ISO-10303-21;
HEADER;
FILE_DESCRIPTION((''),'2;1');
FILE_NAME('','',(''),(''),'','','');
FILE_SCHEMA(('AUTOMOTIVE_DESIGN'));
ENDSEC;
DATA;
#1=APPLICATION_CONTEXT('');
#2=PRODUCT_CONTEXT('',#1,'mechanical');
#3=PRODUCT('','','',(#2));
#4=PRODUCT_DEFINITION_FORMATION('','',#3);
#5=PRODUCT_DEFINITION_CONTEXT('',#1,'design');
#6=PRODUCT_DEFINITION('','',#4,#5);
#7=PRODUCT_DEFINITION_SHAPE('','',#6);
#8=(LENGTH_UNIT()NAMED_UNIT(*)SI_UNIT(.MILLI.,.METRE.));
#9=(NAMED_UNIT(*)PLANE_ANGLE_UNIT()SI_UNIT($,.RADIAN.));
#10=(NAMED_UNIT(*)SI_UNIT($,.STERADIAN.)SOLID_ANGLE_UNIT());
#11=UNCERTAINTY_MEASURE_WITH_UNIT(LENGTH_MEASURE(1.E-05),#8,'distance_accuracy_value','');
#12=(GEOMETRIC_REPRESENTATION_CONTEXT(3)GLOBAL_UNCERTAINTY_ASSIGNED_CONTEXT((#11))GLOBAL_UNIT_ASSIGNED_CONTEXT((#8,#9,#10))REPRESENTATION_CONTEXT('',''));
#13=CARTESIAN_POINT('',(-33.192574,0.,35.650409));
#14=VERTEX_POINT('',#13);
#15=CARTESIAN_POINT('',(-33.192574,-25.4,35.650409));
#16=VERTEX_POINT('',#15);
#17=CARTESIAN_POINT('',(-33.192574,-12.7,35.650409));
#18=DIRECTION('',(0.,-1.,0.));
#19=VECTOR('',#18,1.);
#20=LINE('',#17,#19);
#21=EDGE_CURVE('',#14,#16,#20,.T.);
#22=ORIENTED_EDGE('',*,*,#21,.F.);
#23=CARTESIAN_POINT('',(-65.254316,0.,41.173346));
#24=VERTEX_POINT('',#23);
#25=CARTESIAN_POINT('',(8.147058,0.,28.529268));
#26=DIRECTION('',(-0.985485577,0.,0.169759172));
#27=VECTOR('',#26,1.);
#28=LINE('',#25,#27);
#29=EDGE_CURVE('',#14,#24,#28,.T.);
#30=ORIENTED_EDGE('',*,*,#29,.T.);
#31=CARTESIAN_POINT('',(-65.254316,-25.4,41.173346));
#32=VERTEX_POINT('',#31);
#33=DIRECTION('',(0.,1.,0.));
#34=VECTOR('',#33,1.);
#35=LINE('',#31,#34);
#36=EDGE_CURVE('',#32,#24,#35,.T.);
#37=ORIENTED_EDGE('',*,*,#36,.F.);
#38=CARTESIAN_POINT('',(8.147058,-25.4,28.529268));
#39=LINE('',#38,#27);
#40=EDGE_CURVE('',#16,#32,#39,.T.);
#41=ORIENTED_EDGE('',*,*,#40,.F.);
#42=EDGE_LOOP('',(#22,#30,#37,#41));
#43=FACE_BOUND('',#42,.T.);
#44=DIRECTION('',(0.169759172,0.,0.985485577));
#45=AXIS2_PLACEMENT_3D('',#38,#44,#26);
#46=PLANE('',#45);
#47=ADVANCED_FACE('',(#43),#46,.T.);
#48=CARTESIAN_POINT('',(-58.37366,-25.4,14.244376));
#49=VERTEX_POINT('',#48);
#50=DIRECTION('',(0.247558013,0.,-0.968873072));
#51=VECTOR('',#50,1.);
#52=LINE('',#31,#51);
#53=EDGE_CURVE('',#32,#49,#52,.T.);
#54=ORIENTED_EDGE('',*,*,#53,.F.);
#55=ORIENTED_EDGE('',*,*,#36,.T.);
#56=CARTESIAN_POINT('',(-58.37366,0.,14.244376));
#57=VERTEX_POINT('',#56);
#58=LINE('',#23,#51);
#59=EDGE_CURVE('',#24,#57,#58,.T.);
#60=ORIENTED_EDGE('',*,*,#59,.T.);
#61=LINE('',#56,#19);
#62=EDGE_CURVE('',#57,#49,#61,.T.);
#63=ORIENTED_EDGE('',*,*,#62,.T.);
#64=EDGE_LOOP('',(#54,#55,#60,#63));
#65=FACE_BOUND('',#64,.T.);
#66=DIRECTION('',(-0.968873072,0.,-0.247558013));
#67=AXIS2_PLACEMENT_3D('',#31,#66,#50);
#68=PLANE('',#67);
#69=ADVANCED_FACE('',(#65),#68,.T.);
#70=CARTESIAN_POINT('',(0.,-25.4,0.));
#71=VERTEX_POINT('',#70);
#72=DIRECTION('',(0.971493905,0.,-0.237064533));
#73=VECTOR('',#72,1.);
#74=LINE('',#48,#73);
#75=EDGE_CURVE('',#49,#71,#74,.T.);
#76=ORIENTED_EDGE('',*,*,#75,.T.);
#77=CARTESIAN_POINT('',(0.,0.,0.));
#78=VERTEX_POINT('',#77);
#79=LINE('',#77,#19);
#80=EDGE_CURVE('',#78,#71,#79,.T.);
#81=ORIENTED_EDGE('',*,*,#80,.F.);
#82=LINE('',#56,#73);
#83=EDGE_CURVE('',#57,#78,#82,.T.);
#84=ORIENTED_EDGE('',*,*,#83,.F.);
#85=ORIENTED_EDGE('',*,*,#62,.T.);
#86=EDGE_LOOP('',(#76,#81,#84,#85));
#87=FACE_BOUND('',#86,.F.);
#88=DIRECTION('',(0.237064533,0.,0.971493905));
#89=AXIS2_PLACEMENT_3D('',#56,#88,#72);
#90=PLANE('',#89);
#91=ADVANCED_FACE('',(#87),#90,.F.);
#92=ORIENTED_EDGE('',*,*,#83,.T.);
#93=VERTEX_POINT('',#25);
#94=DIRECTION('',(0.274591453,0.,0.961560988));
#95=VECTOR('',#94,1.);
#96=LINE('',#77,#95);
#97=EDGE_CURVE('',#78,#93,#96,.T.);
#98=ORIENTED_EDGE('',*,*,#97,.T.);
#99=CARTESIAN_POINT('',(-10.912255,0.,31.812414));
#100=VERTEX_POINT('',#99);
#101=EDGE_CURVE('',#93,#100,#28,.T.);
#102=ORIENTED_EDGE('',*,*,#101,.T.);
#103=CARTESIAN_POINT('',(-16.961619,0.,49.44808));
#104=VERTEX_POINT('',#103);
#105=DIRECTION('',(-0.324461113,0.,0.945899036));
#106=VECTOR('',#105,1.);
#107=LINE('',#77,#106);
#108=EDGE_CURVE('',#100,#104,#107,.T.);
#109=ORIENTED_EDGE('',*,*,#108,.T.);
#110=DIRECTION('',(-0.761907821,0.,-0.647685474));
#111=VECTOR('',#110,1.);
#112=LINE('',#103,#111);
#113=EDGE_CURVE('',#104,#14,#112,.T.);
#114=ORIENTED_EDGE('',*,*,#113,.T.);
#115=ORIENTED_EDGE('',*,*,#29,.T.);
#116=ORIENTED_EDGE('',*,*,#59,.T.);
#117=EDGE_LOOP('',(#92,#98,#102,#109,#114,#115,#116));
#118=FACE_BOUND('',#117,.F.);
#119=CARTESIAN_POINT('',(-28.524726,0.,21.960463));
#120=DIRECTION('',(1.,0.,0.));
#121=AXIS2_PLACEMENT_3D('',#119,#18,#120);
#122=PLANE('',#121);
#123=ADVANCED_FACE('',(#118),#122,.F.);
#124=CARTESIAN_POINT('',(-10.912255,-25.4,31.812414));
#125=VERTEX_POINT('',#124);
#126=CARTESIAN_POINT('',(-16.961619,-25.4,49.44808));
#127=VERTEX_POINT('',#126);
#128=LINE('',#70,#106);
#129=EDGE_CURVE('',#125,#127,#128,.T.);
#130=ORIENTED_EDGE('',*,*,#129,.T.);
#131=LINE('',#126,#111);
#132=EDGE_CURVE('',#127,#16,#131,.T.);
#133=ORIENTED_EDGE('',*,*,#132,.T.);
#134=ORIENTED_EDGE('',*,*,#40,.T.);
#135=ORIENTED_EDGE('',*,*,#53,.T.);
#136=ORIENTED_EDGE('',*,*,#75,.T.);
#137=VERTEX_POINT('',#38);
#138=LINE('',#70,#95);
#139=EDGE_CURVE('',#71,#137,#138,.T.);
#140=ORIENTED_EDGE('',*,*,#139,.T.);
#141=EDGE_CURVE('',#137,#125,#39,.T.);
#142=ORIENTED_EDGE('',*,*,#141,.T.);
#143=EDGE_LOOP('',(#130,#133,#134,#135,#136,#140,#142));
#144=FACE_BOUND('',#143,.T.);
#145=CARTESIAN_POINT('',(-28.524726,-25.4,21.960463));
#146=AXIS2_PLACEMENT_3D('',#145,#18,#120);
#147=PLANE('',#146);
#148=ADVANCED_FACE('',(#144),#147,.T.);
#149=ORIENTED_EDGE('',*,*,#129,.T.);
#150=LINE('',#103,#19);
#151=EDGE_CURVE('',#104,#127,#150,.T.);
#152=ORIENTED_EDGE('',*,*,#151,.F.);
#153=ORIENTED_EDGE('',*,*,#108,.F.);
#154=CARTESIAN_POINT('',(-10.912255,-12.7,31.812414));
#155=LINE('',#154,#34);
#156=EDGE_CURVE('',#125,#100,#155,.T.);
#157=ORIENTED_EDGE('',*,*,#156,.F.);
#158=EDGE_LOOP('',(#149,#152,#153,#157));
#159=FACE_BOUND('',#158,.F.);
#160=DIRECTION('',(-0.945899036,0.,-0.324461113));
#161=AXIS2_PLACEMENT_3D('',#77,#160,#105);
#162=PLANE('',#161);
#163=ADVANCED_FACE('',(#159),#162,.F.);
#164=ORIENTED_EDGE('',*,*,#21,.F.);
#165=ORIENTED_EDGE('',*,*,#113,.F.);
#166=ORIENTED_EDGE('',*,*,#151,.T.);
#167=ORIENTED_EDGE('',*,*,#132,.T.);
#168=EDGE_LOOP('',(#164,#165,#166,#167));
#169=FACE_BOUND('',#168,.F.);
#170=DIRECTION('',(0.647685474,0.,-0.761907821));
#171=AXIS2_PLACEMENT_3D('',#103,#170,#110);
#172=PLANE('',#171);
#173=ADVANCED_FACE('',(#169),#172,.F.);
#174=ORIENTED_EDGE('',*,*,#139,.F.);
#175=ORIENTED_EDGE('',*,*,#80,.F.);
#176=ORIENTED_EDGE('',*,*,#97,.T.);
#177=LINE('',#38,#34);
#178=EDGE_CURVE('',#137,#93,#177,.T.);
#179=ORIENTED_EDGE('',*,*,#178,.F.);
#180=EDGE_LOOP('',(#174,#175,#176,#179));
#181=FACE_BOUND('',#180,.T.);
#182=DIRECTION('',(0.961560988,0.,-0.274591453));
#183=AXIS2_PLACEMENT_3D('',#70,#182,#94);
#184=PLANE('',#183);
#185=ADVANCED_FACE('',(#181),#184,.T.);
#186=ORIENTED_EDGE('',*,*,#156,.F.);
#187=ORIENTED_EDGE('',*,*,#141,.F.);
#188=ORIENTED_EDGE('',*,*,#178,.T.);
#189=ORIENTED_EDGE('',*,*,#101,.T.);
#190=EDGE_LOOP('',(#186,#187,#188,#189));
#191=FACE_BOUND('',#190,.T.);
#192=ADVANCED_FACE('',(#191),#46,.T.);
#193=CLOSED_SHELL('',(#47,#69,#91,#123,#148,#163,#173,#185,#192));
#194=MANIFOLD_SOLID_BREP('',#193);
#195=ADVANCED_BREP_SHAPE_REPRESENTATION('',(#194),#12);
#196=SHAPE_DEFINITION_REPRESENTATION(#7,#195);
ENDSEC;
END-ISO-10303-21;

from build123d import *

# Parameters (mm, degrees)
F1_DEPTH = 25.4
F3_DEPTH = 25.4


with BuildPart() as f1:
    # F0 (on Front) → F1 (new body)
    with BuildSketch(Plane.XZ):
        Polygon((-58.37366, 14.244376), (0, 0), (-16.961619, 49.44808), align=None)
    extrude(amount=F1_DEPTH)

    # F2 (on face) → F3 (join)
    with BuildSketch(Plane.XZ.offset(25.4)):
        Polygon((8.147058, 28.529268), (-65.254316, 41.173346), (-58.37366, 14.244376), (0, 0), align=None)
    extrude(amount=-F3_DEPTH)


solid = f1.part
